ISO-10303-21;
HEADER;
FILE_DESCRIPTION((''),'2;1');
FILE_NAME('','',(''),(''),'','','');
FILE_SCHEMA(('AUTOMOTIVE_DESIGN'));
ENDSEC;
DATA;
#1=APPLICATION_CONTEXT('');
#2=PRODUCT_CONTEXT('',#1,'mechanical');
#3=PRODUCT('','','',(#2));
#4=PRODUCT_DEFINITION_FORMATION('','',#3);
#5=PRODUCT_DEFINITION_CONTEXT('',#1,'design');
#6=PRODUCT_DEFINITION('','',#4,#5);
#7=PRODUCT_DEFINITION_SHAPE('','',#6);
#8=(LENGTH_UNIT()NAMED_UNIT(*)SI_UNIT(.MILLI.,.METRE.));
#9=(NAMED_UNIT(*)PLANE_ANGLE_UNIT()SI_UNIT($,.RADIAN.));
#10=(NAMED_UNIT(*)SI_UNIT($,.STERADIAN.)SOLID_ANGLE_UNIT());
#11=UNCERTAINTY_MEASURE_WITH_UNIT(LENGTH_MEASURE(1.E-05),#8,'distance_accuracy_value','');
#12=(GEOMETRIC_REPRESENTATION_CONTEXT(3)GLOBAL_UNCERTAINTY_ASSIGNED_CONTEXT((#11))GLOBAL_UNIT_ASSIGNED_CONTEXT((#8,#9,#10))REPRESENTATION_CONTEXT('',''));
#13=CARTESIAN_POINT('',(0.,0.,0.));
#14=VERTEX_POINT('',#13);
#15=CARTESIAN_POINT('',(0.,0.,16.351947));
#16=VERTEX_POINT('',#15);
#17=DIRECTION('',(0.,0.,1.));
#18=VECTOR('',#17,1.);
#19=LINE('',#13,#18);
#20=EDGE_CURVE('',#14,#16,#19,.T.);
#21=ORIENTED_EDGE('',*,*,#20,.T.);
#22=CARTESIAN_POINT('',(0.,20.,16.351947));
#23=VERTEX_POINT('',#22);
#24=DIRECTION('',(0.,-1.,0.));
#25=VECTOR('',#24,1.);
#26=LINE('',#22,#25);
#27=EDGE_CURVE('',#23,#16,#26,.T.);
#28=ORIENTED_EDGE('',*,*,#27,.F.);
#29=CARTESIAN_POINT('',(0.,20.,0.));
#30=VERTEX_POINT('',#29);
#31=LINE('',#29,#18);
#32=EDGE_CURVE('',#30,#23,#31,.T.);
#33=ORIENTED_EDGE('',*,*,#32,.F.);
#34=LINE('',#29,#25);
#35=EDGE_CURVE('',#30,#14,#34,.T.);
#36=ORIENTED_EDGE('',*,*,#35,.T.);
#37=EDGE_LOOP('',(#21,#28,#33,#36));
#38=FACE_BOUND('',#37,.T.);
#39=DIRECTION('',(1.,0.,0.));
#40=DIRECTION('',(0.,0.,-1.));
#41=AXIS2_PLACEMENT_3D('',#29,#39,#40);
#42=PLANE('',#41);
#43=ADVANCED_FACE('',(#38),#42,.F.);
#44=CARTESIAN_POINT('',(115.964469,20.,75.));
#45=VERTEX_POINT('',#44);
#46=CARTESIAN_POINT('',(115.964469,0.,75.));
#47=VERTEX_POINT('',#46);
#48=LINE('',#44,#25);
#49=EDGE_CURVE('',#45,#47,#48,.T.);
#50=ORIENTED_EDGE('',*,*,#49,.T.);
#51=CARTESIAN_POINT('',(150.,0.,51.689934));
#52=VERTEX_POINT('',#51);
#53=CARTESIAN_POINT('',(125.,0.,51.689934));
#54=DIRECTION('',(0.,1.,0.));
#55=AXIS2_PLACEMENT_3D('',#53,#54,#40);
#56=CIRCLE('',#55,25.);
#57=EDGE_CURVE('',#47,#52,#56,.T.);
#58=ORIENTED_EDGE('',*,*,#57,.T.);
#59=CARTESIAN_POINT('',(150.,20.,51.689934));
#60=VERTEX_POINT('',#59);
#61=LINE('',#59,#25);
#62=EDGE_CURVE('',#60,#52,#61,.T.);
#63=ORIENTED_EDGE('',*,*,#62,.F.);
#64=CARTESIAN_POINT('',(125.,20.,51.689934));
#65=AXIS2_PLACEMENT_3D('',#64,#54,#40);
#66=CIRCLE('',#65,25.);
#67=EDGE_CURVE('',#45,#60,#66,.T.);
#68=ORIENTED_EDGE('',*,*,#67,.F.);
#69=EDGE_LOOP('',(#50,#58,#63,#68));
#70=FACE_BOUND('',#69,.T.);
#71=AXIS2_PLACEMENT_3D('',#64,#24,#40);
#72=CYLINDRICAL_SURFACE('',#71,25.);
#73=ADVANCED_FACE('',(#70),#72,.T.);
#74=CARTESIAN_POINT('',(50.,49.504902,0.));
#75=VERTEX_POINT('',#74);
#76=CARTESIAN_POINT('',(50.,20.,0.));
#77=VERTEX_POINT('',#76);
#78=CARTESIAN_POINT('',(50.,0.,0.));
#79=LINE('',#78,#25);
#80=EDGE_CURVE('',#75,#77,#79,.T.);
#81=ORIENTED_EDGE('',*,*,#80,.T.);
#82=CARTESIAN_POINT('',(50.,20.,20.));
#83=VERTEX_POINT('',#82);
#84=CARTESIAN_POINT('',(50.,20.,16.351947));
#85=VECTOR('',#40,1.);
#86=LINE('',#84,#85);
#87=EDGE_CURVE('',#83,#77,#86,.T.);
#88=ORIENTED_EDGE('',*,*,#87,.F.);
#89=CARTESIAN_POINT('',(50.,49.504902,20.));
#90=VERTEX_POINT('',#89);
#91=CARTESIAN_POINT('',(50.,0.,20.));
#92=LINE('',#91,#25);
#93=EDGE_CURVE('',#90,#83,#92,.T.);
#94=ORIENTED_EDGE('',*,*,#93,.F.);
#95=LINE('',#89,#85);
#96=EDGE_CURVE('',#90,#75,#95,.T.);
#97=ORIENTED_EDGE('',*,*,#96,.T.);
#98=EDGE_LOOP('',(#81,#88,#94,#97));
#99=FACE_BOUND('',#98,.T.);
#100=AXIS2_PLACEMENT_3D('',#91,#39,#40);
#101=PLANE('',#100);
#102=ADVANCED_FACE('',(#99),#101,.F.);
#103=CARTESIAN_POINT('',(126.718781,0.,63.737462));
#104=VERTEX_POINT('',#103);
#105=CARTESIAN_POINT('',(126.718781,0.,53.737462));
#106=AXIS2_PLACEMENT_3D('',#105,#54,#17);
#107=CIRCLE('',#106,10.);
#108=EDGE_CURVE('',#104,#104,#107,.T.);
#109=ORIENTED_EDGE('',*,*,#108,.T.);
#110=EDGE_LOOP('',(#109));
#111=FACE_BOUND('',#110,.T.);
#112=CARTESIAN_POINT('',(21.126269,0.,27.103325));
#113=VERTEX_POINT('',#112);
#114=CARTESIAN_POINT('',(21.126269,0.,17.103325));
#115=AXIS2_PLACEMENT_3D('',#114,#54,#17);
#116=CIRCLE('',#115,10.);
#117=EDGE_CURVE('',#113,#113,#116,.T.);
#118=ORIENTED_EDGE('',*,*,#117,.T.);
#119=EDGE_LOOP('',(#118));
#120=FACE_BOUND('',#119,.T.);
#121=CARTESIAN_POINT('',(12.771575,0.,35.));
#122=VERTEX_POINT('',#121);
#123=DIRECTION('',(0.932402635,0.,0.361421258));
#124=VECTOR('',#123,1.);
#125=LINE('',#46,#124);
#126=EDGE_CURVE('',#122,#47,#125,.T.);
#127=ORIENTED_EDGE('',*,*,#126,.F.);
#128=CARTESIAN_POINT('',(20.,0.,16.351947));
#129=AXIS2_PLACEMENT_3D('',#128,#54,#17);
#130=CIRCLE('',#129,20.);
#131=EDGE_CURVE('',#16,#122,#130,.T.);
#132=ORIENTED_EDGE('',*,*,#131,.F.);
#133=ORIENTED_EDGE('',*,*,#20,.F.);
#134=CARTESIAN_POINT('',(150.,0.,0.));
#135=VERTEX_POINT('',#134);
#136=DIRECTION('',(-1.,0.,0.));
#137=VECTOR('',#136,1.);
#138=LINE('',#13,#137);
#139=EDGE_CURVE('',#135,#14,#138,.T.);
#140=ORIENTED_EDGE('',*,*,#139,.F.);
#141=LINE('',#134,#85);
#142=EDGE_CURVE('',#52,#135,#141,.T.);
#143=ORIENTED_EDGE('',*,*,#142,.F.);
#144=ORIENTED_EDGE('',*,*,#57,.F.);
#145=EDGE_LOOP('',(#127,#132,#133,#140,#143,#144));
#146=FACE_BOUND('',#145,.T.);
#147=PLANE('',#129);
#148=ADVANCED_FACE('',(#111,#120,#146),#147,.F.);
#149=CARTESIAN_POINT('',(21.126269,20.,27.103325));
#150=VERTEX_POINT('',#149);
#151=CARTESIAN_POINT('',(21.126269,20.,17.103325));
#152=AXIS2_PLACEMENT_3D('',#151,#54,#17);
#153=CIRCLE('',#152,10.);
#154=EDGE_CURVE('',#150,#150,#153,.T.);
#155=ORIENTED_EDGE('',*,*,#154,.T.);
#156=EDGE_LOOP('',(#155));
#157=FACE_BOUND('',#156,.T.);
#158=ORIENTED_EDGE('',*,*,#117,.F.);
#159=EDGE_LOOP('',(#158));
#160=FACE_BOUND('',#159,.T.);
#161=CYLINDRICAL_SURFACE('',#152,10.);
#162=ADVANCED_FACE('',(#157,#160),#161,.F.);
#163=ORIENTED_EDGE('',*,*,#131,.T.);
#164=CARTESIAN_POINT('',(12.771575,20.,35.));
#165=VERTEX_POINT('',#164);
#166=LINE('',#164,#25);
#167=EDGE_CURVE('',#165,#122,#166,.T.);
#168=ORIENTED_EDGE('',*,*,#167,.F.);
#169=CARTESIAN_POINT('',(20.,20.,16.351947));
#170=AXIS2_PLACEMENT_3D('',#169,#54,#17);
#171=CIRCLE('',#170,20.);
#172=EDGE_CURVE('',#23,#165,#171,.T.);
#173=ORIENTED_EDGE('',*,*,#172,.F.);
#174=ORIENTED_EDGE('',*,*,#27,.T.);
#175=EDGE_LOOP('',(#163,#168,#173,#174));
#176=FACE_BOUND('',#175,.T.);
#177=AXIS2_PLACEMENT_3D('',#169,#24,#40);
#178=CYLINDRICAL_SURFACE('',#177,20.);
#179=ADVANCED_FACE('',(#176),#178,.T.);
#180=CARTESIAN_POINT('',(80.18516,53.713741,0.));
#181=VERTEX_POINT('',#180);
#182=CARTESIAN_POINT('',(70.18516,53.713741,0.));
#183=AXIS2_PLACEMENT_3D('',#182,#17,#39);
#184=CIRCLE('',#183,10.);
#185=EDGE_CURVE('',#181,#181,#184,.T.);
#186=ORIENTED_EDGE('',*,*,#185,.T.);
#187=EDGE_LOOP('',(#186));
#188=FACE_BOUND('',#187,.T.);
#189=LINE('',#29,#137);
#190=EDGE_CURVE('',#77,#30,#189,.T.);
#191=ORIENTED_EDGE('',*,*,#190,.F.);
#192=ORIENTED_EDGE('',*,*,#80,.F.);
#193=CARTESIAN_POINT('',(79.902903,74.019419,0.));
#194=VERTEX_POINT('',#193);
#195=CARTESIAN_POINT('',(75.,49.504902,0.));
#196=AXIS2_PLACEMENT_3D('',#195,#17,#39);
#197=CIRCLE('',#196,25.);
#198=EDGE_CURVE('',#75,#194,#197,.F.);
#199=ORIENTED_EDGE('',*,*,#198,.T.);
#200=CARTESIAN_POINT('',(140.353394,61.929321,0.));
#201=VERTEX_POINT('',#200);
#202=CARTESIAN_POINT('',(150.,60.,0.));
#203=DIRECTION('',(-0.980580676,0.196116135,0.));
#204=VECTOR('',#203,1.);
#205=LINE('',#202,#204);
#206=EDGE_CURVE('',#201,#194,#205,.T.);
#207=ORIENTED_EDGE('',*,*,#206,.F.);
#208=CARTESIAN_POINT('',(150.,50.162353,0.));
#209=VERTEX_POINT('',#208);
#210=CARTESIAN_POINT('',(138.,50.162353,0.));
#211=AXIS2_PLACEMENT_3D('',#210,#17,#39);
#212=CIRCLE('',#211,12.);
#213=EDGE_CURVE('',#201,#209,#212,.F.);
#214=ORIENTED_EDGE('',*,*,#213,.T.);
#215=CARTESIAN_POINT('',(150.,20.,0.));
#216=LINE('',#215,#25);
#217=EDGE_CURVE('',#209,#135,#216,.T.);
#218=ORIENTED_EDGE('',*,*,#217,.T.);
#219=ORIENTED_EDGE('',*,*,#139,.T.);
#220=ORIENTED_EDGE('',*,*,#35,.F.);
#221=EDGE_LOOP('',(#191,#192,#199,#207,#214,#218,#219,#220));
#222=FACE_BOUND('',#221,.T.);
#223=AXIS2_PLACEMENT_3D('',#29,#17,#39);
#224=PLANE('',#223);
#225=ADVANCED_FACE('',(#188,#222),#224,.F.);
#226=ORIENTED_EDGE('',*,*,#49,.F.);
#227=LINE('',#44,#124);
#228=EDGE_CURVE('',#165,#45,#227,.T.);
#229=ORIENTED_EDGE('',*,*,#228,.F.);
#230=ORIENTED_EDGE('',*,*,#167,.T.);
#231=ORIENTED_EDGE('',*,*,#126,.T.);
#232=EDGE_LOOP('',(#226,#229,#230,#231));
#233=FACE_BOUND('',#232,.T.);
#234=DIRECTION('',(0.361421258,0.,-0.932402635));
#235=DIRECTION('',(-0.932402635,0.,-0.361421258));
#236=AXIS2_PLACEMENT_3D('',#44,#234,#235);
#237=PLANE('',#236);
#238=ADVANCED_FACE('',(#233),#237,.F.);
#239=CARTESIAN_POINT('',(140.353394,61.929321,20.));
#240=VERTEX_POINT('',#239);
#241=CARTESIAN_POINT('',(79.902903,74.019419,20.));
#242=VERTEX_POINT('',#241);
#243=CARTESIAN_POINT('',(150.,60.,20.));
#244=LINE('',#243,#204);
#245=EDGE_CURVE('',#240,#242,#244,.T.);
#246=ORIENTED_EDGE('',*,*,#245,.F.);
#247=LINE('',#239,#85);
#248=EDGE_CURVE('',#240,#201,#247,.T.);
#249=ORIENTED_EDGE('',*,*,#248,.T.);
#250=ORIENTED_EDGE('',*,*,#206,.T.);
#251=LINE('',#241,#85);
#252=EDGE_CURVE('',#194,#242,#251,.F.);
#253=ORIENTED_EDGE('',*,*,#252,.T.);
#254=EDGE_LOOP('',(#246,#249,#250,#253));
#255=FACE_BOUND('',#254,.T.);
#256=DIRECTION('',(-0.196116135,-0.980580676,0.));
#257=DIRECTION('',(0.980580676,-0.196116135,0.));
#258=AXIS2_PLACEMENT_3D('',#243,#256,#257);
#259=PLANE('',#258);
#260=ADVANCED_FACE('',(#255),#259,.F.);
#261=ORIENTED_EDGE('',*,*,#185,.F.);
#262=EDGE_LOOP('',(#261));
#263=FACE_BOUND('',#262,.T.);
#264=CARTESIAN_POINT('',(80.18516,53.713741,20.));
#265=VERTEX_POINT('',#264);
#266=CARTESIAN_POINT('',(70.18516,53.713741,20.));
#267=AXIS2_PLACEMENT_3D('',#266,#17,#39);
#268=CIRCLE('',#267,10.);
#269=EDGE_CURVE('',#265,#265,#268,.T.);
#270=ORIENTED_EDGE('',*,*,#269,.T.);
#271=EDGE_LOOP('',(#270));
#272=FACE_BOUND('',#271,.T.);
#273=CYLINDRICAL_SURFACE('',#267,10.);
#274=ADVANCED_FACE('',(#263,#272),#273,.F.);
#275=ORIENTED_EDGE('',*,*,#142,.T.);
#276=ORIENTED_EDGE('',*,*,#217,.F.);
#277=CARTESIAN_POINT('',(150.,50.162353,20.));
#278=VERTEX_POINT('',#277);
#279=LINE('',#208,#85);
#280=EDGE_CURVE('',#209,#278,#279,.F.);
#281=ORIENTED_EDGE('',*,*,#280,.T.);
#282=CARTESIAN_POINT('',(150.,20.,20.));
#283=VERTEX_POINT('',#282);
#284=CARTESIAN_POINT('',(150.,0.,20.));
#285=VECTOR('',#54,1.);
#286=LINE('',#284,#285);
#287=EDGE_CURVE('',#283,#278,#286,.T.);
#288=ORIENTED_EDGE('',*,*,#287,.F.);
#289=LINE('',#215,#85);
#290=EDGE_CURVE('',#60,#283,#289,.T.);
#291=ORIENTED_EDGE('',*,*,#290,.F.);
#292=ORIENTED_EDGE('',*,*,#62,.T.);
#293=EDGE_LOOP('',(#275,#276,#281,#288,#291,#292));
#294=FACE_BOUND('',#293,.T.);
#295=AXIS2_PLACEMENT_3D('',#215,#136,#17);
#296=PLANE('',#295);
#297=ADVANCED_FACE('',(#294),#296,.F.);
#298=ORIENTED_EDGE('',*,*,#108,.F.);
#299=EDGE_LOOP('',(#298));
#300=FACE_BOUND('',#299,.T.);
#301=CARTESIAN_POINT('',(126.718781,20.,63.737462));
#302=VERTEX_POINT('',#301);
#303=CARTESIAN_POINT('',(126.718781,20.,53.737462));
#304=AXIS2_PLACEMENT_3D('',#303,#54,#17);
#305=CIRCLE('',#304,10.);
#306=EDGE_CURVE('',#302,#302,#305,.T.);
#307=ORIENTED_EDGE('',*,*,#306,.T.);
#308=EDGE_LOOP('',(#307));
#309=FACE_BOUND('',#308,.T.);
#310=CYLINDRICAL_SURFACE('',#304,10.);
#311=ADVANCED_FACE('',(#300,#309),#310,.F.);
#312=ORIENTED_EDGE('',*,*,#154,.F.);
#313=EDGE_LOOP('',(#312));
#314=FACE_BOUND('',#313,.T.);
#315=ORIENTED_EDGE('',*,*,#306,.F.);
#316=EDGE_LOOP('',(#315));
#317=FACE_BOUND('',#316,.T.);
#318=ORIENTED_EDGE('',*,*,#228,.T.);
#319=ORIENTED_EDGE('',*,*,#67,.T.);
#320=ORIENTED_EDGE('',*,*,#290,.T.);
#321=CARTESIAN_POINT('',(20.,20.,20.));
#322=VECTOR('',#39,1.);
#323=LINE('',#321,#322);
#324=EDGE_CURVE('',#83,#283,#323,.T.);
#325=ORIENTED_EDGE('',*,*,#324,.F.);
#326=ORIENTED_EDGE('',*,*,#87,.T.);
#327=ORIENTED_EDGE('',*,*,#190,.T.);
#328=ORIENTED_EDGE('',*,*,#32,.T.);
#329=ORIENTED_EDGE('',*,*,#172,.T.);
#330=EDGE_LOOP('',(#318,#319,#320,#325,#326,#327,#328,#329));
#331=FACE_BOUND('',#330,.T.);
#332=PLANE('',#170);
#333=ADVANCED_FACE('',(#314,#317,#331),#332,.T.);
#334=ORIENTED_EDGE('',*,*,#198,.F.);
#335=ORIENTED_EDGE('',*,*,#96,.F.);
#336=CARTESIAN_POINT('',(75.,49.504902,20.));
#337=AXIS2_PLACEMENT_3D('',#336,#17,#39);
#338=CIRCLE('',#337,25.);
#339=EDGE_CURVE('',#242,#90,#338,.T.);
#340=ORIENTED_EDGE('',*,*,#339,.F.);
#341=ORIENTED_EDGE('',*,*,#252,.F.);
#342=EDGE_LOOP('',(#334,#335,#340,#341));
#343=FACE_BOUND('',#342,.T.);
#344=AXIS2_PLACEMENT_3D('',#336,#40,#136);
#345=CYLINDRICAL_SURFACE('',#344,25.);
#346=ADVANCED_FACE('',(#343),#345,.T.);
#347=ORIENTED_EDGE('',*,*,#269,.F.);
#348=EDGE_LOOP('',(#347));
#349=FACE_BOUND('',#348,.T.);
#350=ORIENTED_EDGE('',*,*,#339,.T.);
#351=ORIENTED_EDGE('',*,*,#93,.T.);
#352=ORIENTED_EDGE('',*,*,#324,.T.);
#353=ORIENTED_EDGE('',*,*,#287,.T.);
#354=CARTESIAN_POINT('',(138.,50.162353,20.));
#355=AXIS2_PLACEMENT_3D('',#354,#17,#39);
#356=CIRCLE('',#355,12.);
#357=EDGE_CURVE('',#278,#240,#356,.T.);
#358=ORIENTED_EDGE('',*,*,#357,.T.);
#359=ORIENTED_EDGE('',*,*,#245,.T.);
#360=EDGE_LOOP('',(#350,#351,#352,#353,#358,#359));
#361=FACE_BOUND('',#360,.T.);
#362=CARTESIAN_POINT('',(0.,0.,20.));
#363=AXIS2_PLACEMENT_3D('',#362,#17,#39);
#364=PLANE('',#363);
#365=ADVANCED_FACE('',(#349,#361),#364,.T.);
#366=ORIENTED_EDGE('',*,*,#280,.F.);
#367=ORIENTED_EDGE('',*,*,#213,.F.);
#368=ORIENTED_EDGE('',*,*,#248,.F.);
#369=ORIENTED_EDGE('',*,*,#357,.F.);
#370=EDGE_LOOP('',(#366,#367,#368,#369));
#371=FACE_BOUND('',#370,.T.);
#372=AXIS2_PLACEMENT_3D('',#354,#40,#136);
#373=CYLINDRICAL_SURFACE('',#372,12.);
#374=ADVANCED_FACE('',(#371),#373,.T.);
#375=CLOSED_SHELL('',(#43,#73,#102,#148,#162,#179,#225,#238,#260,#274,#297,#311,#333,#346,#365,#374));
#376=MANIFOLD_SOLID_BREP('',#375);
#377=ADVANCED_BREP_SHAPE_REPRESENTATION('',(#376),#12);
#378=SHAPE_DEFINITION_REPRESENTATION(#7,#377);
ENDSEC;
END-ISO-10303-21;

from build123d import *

# Parameters (mm, degrees)
BOSS_EXTRUDE1_DEPTH    = 20
BOSS_EXTRUDE4_DEPTH    = 20
FILLET1_R              = 25
FILLET2_R              = 12
F_20_0MM_DOWEL_HOLE2_D = 20
F_20_0MM_DOWEL_HOLE4_D = 20
F_20_0MM_DOWEL_HOLE5_D = 20


with BuildPart() as part:
    # Sketch1 → Boss-Extrude1 (new body)
    with BuildSketch(Plane(origin=(0, 0, 0), x_dir=(1, 0, 0), z_dir=(0, 1, 0))):
        with BuildLine():
            Line((0, 0), (150, 0))
            Line((150, 0), (150, -51.689934114))
            ThreePointArc((150, -51.689934114), (139.12642407, -72.316231479), (115.964468561, -75))
            Line((115.964468561, -75), (12.771574849, -35))
            ThreePointArc((12.771574849, -35), (3.498962108, -27.653086547), (0, -16.351947291))
            Line((0, -16.351947291), (0, 0))
        make_face()
    extrude(amount=BOSS_EXTRUDE1_DEPTH)

    # Sketch3 → Boss-Extrude4 (add)
    with BuildSketch(Plane.XY):
        Polygon((150, 0), (50, 0), (50, 80), (150, 60), align=None)
    extrude(amount=BOSS_EXTRUDE4_DEPTH)

    # Fillet1
    fillet1_edges = [part.edges().sort_by_distance(p)[0] for p in [
        (50, 80, 10),
    ]]
    fillet(fillet1_edges, radius=FILLET1_R)

    # Fillet2
    fillet2_edges = [part.edges().sort_by_distance(p)[0] for p in [
        (150, 60, 10),
    ]]
    fillet(fillet2_edges, radius=FILLET2_R)

    # Ø20.0mm Dowel Hole2 (through all)
    with Locations(Plane.XY.offset(20)):
        with Locations((70.185160084, 53.713740801)):
            Hole(F_20_0MM_DOWEL_HOLE2_D / 2)

    # Ø20.0mm Dowel Hole4 (through all)
    with Locations(Plane(origin=(0, 20, 0), x_dir=(1, 0, 0), z_dir=(0, 1, 0))):
        with Locations((21.126269386, -17.1033247)):
            Hole(F_20_0MM_DOWEL_HOLE4_D / 2)

    # Ø20.0mm Dowel Hole5 (through all)
    with Locations(Plane(origin=(0, 20, 0), x_dir=(1, 0, 0), z_dir=(0, 1, 0))):
        with Locations((126.71878139, -53.737461518)):
            Hole(F_20_0MM_DOWEL_HOLE5_D / 2)


solid = part.part
